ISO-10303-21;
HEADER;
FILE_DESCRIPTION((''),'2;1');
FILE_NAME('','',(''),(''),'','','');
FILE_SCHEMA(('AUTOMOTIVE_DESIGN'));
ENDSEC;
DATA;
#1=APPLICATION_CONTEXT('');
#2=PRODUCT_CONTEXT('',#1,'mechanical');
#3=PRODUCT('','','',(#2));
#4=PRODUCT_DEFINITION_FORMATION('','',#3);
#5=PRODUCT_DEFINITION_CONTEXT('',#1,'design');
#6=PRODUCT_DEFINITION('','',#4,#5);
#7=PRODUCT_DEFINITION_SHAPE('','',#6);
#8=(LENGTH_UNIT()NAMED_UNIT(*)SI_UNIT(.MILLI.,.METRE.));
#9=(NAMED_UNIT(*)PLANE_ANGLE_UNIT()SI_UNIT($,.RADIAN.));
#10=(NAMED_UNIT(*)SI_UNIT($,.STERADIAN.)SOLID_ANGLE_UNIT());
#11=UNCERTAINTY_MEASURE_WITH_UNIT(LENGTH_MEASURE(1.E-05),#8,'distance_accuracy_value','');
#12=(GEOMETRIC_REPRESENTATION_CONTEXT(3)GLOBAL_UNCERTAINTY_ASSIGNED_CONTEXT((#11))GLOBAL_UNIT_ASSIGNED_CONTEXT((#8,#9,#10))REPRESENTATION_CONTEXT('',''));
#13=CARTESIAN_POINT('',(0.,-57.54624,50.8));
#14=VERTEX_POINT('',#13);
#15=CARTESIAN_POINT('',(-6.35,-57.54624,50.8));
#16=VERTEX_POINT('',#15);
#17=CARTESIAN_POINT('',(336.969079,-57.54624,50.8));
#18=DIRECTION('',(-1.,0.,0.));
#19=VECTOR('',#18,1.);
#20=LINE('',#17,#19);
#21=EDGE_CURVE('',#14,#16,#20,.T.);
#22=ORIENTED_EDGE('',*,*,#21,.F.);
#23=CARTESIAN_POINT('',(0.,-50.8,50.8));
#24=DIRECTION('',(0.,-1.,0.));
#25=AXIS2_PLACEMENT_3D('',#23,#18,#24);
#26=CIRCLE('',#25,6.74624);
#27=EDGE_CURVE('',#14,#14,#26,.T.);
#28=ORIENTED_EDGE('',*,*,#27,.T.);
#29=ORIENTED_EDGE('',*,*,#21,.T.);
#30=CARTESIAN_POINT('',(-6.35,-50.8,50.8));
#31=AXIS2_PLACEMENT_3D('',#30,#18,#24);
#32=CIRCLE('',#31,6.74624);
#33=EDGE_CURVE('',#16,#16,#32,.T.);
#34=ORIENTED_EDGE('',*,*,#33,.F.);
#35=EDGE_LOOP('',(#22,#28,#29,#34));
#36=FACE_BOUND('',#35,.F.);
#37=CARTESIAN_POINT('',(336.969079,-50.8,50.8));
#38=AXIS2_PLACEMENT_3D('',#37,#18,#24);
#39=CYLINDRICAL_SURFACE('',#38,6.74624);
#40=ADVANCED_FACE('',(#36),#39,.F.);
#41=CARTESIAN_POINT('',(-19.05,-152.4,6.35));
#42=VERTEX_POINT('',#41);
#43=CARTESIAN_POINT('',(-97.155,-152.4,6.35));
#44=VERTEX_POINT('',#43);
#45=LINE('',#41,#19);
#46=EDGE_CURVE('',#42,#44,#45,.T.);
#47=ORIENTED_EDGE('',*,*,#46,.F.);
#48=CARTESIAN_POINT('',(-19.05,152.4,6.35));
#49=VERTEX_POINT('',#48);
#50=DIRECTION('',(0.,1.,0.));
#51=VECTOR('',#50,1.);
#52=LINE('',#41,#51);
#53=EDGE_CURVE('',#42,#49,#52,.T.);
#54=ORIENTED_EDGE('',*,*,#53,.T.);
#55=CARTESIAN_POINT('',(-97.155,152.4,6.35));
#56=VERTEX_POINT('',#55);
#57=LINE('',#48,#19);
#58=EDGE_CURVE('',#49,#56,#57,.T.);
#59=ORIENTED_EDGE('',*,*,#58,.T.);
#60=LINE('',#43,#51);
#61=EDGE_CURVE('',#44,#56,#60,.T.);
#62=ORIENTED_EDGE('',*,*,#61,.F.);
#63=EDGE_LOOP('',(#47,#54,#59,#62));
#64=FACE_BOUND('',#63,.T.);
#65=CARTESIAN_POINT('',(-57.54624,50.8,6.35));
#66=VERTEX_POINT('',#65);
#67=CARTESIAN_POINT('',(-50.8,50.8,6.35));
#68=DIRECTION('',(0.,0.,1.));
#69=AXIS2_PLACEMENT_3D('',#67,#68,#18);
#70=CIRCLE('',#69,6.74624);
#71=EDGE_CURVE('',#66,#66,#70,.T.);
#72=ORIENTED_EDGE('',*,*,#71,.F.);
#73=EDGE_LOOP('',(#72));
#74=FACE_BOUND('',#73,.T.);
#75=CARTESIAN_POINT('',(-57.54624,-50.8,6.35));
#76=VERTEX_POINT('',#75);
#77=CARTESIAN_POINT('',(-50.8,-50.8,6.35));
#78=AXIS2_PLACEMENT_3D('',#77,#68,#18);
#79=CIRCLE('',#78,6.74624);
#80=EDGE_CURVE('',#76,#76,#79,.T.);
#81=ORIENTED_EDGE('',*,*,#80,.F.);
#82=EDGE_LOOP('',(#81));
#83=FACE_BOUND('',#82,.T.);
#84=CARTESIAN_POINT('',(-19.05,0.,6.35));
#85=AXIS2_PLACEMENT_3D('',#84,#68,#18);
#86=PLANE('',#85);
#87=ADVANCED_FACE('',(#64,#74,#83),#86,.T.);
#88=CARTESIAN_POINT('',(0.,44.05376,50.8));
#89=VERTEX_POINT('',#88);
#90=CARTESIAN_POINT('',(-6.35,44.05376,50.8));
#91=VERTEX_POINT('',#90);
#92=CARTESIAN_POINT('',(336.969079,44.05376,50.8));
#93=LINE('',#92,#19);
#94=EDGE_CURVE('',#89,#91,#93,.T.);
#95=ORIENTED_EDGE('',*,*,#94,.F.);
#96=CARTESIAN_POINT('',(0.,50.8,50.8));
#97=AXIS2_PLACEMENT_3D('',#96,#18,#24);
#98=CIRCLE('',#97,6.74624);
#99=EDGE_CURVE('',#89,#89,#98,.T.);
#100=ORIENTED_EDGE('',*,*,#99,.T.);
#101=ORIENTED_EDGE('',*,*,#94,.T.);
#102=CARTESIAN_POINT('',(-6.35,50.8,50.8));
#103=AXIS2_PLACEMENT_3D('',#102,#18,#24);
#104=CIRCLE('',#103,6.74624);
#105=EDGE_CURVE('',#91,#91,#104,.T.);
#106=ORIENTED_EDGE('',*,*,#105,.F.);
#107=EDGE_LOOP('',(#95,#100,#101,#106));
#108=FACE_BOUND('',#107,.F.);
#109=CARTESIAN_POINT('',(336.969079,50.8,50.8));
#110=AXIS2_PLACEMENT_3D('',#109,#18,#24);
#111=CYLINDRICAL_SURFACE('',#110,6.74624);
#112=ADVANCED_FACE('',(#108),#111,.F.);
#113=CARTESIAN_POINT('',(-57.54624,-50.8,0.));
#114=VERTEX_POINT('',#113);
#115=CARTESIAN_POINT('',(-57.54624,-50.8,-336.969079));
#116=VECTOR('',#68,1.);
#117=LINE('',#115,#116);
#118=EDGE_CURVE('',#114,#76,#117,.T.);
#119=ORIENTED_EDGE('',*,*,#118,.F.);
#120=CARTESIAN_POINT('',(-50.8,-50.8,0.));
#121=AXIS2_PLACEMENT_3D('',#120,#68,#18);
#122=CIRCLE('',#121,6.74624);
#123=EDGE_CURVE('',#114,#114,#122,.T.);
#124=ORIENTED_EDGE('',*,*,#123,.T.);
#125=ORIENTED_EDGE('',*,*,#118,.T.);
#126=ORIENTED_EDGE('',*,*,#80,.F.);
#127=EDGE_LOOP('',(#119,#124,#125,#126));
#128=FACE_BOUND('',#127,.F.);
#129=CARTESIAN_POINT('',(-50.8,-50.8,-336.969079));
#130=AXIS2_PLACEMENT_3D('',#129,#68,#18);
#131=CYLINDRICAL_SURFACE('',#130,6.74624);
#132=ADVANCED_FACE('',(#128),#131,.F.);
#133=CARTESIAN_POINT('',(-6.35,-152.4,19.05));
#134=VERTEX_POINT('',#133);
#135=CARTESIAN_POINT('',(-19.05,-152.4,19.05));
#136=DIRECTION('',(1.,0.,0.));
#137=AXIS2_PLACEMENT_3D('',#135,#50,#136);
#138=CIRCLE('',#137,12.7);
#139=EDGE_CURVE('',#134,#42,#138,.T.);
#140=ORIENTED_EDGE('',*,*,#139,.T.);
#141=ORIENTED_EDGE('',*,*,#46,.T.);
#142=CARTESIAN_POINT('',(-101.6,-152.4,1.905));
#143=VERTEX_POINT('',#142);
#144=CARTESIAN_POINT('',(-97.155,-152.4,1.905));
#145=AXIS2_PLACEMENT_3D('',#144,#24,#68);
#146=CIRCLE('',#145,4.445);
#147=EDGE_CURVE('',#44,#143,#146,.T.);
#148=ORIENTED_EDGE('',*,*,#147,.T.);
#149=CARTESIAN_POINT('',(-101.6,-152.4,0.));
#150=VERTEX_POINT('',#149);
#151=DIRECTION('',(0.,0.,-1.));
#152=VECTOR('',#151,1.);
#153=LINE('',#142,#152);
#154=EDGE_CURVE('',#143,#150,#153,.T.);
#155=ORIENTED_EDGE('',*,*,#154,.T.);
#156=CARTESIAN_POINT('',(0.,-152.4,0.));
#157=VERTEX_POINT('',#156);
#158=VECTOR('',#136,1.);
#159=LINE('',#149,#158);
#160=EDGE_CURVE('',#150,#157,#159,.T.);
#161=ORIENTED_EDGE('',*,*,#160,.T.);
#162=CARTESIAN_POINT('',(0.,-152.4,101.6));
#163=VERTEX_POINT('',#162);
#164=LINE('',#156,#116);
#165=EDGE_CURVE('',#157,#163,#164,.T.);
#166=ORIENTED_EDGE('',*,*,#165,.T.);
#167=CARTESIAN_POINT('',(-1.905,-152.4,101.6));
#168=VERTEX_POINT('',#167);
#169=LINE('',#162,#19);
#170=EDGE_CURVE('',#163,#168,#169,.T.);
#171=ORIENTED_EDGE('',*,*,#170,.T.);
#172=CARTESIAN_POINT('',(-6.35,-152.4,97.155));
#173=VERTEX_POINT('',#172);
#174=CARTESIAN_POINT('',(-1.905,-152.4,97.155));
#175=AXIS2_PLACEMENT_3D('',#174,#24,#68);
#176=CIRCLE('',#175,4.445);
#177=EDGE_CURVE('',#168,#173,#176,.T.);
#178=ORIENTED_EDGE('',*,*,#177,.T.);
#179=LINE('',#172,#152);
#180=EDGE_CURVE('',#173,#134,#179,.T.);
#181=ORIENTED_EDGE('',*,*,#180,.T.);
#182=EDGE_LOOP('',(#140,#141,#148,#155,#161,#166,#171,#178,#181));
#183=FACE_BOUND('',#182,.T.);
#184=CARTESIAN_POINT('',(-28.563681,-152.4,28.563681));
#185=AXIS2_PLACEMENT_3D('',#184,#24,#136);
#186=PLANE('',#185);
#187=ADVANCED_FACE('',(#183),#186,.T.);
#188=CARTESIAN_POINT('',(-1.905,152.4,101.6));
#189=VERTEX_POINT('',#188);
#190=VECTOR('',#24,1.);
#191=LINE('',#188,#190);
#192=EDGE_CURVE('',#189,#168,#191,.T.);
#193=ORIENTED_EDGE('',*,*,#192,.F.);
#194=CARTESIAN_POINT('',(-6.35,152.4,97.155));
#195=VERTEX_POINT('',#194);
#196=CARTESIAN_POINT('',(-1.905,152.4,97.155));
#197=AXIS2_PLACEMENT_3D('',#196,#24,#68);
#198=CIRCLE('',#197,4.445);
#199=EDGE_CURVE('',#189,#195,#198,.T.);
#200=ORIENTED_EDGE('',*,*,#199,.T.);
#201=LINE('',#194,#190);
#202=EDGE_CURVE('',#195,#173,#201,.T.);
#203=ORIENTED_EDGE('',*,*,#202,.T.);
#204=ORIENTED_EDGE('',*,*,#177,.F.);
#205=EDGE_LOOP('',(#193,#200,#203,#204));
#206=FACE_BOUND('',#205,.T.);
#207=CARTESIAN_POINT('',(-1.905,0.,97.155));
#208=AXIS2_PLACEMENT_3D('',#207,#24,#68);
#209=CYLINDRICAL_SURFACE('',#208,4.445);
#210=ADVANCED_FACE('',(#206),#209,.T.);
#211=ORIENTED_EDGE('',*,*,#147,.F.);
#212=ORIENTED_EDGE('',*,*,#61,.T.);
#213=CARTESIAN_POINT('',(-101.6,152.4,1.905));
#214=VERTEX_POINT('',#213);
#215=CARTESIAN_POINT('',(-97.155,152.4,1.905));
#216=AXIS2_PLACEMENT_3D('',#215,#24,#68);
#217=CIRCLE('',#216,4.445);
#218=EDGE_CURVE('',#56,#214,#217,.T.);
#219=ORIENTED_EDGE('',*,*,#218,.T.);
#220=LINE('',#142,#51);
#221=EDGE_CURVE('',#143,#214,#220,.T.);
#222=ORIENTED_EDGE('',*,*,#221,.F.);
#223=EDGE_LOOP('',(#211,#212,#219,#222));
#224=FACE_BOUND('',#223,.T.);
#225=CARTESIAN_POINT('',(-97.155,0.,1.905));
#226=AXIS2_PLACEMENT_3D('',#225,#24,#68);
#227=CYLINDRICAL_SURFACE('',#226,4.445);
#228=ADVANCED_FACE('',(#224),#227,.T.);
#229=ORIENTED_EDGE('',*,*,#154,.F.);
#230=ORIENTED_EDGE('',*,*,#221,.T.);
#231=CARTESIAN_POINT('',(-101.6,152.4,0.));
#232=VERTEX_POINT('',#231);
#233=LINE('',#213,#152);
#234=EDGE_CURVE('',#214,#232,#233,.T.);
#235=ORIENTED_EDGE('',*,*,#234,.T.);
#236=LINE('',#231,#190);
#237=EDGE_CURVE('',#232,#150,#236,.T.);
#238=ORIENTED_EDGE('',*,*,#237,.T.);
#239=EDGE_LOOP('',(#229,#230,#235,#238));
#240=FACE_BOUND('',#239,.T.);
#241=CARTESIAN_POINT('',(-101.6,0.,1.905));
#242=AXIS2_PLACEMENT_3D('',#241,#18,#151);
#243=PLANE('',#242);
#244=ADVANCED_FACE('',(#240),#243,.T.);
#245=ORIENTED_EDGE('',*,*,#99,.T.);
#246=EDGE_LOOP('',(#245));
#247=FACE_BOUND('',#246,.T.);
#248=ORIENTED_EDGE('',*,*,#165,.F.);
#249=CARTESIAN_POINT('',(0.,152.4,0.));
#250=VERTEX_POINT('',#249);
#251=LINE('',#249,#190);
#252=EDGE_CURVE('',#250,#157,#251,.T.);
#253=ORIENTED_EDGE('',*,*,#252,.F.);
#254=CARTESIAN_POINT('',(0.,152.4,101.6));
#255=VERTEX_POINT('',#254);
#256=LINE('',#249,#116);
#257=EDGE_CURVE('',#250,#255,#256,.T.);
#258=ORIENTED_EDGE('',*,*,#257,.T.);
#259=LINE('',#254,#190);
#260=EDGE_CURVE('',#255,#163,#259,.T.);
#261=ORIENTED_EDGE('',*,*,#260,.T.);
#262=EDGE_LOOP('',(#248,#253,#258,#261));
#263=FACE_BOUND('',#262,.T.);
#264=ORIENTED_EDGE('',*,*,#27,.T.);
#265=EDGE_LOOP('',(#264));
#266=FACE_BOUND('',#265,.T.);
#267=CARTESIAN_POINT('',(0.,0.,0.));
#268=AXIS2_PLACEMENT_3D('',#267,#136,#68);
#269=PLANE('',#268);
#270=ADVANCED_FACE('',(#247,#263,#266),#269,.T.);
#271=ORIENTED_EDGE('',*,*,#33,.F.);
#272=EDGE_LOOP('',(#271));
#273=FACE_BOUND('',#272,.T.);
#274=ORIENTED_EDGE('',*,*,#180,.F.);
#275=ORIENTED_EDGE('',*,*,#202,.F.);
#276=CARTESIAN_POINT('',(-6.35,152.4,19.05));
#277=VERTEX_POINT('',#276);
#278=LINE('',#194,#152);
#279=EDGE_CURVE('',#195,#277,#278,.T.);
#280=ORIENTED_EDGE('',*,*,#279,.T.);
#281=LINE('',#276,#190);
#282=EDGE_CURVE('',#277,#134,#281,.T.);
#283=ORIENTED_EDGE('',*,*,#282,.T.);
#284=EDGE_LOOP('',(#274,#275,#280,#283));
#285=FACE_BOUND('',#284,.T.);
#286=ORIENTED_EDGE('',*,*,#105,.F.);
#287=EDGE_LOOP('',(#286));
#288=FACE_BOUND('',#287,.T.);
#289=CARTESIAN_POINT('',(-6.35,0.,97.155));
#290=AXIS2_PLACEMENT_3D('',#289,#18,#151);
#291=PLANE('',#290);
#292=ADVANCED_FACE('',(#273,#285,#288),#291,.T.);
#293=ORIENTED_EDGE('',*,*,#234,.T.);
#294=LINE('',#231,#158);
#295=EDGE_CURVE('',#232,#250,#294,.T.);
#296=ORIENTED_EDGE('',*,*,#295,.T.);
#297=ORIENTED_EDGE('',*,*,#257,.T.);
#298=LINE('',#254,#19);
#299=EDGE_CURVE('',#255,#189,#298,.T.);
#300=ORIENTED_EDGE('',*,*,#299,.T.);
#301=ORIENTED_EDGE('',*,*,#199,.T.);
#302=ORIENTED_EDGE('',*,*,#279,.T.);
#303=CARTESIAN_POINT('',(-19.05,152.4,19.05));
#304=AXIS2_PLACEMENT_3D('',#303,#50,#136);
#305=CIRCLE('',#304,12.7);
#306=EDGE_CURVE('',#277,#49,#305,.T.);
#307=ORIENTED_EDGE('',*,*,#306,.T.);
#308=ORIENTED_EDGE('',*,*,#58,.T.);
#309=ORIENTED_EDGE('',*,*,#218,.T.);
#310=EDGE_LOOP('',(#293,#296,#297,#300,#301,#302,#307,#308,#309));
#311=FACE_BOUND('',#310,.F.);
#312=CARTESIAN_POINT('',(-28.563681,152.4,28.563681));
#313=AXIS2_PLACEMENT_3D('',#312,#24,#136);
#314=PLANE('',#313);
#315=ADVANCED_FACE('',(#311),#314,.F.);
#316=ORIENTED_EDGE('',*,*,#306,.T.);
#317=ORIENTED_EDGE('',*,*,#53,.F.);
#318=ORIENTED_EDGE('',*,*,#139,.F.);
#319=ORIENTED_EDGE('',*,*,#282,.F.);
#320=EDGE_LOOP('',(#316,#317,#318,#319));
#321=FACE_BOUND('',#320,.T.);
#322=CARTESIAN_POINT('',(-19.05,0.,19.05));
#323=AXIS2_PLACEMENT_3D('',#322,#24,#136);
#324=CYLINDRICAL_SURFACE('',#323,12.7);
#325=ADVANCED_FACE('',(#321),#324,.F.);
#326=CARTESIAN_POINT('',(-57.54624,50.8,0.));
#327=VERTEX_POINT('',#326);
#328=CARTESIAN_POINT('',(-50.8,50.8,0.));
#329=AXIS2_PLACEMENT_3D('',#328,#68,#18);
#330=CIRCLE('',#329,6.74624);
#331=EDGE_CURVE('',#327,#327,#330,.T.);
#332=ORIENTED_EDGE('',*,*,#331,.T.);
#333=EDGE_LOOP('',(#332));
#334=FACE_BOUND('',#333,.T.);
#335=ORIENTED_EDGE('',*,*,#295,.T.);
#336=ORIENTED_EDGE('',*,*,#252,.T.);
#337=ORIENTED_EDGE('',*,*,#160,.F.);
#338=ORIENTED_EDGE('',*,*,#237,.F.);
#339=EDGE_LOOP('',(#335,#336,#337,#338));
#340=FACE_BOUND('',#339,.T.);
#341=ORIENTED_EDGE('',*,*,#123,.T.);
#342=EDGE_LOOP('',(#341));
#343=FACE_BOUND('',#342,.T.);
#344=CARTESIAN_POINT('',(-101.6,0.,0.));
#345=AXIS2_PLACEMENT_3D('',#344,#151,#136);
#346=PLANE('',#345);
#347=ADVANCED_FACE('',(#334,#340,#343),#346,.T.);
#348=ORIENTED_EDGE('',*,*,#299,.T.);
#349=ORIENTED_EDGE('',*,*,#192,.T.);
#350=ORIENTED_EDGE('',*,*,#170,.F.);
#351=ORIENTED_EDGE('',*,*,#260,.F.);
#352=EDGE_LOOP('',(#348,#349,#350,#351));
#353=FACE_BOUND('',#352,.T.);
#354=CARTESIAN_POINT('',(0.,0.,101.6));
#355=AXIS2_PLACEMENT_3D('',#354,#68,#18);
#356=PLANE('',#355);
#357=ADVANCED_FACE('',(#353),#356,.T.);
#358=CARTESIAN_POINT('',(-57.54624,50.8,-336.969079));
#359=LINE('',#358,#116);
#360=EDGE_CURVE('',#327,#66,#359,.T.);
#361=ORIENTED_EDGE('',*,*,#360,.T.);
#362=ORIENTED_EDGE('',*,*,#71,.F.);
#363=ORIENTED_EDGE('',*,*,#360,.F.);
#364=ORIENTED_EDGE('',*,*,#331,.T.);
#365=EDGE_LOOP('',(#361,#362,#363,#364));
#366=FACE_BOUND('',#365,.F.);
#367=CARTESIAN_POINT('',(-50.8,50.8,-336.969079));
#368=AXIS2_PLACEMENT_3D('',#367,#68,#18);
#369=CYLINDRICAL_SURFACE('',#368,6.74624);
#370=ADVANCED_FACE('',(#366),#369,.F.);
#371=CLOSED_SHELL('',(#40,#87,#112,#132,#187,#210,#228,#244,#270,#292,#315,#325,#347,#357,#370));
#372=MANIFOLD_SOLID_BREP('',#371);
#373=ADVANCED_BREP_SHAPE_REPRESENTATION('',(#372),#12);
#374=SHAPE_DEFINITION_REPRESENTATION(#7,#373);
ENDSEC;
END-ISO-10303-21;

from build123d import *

# Parameters (mm, degrees)
F1_DEPTH   = 152.4
F4_D       = 13.49248
F4_ON_F2_D = 13.49248


with BuildPart() as f1:
    # F0 (on Front) → F1 (new body, symmetric)
    with BuildSketch(Plane.XZ):
        with BuildLine():
            Line((-101.6, 1.905), (-101.6, 0))
            Line((-101.6, 0), (0, 0))
            Line((0, 0), (0, 101.6))
            Line((0, 101.6), (-1.905, 101.6))
            ThreePointArc((-1.905, 101.6), (-5.0480896424, 100.2980896424), (-6.35, 97.155))
            Line((-6.35, 97.155), (-6.35, 19.05))
            ThreePointArc((-6.35, 19.05), (-10.0697438789, 10.0697438789), (-19.05, 6.35))
            Line((-19.05, 6.35), (-97.155, 6.35))
            ThreePointArc((-97.155, 6.35), (-100.2980896424, 5.0480896424), (-101.6, 1.905))
        make_face()
    extrude(amount=F1_DEPTH, both=True)

    # F4 (through all)
    with Locations(Plane.YZ):
        with Locations((-50.8, 50.8), (50.8, 50.8)):
            Hole(F4_D / 2)

    # F4 on F2 (through all)
    with Locations(Plane(origin=(0, 0, 0), x_dir=(1, 0, 0), z_dir=(0, 0, -1))):
        with Locations((-50.8, 50.8), (-50.8, -50.8)):
            Hole(F4_ON_F2_D / 2)


solid = f1.part
